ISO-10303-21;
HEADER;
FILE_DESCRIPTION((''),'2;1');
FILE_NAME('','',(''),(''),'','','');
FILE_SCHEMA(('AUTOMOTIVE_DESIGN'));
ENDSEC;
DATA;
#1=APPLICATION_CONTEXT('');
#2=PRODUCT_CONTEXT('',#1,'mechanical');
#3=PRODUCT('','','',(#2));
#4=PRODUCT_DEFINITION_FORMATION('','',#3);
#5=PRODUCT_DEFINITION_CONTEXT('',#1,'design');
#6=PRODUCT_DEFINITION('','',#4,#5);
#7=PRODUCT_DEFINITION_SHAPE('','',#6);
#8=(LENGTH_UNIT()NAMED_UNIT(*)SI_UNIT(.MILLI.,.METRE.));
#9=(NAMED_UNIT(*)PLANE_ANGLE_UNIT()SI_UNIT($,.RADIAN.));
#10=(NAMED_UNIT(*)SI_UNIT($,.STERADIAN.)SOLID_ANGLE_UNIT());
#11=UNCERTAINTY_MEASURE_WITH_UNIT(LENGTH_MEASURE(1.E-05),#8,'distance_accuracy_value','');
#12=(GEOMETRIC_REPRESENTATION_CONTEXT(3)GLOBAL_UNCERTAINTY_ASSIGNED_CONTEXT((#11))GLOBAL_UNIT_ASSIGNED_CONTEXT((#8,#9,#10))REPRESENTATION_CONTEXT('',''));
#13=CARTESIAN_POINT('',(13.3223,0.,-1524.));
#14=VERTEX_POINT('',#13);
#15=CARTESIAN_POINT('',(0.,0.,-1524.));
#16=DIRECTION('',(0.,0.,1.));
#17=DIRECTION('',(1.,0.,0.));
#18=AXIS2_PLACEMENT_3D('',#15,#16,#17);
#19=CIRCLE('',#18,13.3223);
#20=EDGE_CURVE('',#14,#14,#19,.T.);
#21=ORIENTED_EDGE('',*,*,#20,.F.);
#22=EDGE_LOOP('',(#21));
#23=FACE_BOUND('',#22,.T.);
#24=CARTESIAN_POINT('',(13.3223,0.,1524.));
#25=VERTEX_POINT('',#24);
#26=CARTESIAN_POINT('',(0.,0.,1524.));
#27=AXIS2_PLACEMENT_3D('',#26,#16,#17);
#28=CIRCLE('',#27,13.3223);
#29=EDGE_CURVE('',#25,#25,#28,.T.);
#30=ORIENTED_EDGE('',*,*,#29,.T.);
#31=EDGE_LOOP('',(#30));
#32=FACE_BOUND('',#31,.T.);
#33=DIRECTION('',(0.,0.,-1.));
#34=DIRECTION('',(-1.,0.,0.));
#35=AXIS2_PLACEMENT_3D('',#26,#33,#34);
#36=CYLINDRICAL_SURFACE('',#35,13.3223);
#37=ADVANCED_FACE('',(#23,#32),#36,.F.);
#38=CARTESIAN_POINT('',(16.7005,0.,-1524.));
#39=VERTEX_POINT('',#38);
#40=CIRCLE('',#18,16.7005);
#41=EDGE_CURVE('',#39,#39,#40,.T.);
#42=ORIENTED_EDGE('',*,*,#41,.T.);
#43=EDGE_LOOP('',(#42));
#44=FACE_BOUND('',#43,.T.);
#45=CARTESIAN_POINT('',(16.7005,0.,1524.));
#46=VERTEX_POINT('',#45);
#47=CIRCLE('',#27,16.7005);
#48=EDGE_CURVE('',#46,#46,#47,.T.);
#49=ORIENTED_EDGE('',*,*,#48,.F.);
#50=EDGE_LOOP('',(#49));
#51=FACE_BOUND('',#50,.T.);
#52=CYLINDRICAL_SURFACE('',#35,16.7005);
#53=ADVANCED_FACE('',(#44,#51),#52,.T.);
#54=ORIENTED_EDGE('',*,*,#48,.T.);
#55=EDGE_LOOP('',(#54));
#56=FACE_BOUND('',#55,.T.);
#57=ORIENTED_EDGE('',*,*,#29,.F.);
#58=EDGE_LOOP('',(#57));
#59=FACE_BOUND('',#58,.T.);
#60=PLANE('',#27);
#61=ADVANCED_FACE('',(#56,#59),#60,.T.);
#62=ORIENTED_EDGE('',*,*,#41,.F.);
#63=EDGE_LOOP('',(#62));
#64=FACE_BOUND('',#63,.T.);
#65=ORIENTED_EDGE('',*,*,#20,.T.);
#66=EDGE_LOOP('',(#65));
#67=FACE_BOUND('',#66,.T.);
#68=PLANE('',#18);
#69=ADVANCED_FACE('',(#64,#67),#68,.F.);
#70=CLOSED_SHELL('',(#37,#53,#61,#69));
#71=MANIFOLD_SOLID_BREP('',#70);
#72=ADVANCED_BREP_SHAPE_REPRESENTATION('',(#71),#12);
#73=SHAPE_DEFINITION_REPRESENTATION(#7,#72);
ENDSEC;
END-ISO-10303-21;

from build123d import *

# Parameters (mm, degrees)
SKETCH1_R           = 16.7005
SKETCH1_R_2         = 13.3223
EXTRUDE_THIN1_DEPTH = 1524


with BuildPart() as part:
    # Sketch1 → Extrude-Thin1 (new, symmetric)
    with BuildSketch(Plane.XY):
        Circle(SKETCH1_R)
        Circle(SKETCH1_R_2, mode=Mode.SUBTRACT)
    extrude(amount=EXTRUDE_THIN1_DEPTH, both=True)


solid = part.part
